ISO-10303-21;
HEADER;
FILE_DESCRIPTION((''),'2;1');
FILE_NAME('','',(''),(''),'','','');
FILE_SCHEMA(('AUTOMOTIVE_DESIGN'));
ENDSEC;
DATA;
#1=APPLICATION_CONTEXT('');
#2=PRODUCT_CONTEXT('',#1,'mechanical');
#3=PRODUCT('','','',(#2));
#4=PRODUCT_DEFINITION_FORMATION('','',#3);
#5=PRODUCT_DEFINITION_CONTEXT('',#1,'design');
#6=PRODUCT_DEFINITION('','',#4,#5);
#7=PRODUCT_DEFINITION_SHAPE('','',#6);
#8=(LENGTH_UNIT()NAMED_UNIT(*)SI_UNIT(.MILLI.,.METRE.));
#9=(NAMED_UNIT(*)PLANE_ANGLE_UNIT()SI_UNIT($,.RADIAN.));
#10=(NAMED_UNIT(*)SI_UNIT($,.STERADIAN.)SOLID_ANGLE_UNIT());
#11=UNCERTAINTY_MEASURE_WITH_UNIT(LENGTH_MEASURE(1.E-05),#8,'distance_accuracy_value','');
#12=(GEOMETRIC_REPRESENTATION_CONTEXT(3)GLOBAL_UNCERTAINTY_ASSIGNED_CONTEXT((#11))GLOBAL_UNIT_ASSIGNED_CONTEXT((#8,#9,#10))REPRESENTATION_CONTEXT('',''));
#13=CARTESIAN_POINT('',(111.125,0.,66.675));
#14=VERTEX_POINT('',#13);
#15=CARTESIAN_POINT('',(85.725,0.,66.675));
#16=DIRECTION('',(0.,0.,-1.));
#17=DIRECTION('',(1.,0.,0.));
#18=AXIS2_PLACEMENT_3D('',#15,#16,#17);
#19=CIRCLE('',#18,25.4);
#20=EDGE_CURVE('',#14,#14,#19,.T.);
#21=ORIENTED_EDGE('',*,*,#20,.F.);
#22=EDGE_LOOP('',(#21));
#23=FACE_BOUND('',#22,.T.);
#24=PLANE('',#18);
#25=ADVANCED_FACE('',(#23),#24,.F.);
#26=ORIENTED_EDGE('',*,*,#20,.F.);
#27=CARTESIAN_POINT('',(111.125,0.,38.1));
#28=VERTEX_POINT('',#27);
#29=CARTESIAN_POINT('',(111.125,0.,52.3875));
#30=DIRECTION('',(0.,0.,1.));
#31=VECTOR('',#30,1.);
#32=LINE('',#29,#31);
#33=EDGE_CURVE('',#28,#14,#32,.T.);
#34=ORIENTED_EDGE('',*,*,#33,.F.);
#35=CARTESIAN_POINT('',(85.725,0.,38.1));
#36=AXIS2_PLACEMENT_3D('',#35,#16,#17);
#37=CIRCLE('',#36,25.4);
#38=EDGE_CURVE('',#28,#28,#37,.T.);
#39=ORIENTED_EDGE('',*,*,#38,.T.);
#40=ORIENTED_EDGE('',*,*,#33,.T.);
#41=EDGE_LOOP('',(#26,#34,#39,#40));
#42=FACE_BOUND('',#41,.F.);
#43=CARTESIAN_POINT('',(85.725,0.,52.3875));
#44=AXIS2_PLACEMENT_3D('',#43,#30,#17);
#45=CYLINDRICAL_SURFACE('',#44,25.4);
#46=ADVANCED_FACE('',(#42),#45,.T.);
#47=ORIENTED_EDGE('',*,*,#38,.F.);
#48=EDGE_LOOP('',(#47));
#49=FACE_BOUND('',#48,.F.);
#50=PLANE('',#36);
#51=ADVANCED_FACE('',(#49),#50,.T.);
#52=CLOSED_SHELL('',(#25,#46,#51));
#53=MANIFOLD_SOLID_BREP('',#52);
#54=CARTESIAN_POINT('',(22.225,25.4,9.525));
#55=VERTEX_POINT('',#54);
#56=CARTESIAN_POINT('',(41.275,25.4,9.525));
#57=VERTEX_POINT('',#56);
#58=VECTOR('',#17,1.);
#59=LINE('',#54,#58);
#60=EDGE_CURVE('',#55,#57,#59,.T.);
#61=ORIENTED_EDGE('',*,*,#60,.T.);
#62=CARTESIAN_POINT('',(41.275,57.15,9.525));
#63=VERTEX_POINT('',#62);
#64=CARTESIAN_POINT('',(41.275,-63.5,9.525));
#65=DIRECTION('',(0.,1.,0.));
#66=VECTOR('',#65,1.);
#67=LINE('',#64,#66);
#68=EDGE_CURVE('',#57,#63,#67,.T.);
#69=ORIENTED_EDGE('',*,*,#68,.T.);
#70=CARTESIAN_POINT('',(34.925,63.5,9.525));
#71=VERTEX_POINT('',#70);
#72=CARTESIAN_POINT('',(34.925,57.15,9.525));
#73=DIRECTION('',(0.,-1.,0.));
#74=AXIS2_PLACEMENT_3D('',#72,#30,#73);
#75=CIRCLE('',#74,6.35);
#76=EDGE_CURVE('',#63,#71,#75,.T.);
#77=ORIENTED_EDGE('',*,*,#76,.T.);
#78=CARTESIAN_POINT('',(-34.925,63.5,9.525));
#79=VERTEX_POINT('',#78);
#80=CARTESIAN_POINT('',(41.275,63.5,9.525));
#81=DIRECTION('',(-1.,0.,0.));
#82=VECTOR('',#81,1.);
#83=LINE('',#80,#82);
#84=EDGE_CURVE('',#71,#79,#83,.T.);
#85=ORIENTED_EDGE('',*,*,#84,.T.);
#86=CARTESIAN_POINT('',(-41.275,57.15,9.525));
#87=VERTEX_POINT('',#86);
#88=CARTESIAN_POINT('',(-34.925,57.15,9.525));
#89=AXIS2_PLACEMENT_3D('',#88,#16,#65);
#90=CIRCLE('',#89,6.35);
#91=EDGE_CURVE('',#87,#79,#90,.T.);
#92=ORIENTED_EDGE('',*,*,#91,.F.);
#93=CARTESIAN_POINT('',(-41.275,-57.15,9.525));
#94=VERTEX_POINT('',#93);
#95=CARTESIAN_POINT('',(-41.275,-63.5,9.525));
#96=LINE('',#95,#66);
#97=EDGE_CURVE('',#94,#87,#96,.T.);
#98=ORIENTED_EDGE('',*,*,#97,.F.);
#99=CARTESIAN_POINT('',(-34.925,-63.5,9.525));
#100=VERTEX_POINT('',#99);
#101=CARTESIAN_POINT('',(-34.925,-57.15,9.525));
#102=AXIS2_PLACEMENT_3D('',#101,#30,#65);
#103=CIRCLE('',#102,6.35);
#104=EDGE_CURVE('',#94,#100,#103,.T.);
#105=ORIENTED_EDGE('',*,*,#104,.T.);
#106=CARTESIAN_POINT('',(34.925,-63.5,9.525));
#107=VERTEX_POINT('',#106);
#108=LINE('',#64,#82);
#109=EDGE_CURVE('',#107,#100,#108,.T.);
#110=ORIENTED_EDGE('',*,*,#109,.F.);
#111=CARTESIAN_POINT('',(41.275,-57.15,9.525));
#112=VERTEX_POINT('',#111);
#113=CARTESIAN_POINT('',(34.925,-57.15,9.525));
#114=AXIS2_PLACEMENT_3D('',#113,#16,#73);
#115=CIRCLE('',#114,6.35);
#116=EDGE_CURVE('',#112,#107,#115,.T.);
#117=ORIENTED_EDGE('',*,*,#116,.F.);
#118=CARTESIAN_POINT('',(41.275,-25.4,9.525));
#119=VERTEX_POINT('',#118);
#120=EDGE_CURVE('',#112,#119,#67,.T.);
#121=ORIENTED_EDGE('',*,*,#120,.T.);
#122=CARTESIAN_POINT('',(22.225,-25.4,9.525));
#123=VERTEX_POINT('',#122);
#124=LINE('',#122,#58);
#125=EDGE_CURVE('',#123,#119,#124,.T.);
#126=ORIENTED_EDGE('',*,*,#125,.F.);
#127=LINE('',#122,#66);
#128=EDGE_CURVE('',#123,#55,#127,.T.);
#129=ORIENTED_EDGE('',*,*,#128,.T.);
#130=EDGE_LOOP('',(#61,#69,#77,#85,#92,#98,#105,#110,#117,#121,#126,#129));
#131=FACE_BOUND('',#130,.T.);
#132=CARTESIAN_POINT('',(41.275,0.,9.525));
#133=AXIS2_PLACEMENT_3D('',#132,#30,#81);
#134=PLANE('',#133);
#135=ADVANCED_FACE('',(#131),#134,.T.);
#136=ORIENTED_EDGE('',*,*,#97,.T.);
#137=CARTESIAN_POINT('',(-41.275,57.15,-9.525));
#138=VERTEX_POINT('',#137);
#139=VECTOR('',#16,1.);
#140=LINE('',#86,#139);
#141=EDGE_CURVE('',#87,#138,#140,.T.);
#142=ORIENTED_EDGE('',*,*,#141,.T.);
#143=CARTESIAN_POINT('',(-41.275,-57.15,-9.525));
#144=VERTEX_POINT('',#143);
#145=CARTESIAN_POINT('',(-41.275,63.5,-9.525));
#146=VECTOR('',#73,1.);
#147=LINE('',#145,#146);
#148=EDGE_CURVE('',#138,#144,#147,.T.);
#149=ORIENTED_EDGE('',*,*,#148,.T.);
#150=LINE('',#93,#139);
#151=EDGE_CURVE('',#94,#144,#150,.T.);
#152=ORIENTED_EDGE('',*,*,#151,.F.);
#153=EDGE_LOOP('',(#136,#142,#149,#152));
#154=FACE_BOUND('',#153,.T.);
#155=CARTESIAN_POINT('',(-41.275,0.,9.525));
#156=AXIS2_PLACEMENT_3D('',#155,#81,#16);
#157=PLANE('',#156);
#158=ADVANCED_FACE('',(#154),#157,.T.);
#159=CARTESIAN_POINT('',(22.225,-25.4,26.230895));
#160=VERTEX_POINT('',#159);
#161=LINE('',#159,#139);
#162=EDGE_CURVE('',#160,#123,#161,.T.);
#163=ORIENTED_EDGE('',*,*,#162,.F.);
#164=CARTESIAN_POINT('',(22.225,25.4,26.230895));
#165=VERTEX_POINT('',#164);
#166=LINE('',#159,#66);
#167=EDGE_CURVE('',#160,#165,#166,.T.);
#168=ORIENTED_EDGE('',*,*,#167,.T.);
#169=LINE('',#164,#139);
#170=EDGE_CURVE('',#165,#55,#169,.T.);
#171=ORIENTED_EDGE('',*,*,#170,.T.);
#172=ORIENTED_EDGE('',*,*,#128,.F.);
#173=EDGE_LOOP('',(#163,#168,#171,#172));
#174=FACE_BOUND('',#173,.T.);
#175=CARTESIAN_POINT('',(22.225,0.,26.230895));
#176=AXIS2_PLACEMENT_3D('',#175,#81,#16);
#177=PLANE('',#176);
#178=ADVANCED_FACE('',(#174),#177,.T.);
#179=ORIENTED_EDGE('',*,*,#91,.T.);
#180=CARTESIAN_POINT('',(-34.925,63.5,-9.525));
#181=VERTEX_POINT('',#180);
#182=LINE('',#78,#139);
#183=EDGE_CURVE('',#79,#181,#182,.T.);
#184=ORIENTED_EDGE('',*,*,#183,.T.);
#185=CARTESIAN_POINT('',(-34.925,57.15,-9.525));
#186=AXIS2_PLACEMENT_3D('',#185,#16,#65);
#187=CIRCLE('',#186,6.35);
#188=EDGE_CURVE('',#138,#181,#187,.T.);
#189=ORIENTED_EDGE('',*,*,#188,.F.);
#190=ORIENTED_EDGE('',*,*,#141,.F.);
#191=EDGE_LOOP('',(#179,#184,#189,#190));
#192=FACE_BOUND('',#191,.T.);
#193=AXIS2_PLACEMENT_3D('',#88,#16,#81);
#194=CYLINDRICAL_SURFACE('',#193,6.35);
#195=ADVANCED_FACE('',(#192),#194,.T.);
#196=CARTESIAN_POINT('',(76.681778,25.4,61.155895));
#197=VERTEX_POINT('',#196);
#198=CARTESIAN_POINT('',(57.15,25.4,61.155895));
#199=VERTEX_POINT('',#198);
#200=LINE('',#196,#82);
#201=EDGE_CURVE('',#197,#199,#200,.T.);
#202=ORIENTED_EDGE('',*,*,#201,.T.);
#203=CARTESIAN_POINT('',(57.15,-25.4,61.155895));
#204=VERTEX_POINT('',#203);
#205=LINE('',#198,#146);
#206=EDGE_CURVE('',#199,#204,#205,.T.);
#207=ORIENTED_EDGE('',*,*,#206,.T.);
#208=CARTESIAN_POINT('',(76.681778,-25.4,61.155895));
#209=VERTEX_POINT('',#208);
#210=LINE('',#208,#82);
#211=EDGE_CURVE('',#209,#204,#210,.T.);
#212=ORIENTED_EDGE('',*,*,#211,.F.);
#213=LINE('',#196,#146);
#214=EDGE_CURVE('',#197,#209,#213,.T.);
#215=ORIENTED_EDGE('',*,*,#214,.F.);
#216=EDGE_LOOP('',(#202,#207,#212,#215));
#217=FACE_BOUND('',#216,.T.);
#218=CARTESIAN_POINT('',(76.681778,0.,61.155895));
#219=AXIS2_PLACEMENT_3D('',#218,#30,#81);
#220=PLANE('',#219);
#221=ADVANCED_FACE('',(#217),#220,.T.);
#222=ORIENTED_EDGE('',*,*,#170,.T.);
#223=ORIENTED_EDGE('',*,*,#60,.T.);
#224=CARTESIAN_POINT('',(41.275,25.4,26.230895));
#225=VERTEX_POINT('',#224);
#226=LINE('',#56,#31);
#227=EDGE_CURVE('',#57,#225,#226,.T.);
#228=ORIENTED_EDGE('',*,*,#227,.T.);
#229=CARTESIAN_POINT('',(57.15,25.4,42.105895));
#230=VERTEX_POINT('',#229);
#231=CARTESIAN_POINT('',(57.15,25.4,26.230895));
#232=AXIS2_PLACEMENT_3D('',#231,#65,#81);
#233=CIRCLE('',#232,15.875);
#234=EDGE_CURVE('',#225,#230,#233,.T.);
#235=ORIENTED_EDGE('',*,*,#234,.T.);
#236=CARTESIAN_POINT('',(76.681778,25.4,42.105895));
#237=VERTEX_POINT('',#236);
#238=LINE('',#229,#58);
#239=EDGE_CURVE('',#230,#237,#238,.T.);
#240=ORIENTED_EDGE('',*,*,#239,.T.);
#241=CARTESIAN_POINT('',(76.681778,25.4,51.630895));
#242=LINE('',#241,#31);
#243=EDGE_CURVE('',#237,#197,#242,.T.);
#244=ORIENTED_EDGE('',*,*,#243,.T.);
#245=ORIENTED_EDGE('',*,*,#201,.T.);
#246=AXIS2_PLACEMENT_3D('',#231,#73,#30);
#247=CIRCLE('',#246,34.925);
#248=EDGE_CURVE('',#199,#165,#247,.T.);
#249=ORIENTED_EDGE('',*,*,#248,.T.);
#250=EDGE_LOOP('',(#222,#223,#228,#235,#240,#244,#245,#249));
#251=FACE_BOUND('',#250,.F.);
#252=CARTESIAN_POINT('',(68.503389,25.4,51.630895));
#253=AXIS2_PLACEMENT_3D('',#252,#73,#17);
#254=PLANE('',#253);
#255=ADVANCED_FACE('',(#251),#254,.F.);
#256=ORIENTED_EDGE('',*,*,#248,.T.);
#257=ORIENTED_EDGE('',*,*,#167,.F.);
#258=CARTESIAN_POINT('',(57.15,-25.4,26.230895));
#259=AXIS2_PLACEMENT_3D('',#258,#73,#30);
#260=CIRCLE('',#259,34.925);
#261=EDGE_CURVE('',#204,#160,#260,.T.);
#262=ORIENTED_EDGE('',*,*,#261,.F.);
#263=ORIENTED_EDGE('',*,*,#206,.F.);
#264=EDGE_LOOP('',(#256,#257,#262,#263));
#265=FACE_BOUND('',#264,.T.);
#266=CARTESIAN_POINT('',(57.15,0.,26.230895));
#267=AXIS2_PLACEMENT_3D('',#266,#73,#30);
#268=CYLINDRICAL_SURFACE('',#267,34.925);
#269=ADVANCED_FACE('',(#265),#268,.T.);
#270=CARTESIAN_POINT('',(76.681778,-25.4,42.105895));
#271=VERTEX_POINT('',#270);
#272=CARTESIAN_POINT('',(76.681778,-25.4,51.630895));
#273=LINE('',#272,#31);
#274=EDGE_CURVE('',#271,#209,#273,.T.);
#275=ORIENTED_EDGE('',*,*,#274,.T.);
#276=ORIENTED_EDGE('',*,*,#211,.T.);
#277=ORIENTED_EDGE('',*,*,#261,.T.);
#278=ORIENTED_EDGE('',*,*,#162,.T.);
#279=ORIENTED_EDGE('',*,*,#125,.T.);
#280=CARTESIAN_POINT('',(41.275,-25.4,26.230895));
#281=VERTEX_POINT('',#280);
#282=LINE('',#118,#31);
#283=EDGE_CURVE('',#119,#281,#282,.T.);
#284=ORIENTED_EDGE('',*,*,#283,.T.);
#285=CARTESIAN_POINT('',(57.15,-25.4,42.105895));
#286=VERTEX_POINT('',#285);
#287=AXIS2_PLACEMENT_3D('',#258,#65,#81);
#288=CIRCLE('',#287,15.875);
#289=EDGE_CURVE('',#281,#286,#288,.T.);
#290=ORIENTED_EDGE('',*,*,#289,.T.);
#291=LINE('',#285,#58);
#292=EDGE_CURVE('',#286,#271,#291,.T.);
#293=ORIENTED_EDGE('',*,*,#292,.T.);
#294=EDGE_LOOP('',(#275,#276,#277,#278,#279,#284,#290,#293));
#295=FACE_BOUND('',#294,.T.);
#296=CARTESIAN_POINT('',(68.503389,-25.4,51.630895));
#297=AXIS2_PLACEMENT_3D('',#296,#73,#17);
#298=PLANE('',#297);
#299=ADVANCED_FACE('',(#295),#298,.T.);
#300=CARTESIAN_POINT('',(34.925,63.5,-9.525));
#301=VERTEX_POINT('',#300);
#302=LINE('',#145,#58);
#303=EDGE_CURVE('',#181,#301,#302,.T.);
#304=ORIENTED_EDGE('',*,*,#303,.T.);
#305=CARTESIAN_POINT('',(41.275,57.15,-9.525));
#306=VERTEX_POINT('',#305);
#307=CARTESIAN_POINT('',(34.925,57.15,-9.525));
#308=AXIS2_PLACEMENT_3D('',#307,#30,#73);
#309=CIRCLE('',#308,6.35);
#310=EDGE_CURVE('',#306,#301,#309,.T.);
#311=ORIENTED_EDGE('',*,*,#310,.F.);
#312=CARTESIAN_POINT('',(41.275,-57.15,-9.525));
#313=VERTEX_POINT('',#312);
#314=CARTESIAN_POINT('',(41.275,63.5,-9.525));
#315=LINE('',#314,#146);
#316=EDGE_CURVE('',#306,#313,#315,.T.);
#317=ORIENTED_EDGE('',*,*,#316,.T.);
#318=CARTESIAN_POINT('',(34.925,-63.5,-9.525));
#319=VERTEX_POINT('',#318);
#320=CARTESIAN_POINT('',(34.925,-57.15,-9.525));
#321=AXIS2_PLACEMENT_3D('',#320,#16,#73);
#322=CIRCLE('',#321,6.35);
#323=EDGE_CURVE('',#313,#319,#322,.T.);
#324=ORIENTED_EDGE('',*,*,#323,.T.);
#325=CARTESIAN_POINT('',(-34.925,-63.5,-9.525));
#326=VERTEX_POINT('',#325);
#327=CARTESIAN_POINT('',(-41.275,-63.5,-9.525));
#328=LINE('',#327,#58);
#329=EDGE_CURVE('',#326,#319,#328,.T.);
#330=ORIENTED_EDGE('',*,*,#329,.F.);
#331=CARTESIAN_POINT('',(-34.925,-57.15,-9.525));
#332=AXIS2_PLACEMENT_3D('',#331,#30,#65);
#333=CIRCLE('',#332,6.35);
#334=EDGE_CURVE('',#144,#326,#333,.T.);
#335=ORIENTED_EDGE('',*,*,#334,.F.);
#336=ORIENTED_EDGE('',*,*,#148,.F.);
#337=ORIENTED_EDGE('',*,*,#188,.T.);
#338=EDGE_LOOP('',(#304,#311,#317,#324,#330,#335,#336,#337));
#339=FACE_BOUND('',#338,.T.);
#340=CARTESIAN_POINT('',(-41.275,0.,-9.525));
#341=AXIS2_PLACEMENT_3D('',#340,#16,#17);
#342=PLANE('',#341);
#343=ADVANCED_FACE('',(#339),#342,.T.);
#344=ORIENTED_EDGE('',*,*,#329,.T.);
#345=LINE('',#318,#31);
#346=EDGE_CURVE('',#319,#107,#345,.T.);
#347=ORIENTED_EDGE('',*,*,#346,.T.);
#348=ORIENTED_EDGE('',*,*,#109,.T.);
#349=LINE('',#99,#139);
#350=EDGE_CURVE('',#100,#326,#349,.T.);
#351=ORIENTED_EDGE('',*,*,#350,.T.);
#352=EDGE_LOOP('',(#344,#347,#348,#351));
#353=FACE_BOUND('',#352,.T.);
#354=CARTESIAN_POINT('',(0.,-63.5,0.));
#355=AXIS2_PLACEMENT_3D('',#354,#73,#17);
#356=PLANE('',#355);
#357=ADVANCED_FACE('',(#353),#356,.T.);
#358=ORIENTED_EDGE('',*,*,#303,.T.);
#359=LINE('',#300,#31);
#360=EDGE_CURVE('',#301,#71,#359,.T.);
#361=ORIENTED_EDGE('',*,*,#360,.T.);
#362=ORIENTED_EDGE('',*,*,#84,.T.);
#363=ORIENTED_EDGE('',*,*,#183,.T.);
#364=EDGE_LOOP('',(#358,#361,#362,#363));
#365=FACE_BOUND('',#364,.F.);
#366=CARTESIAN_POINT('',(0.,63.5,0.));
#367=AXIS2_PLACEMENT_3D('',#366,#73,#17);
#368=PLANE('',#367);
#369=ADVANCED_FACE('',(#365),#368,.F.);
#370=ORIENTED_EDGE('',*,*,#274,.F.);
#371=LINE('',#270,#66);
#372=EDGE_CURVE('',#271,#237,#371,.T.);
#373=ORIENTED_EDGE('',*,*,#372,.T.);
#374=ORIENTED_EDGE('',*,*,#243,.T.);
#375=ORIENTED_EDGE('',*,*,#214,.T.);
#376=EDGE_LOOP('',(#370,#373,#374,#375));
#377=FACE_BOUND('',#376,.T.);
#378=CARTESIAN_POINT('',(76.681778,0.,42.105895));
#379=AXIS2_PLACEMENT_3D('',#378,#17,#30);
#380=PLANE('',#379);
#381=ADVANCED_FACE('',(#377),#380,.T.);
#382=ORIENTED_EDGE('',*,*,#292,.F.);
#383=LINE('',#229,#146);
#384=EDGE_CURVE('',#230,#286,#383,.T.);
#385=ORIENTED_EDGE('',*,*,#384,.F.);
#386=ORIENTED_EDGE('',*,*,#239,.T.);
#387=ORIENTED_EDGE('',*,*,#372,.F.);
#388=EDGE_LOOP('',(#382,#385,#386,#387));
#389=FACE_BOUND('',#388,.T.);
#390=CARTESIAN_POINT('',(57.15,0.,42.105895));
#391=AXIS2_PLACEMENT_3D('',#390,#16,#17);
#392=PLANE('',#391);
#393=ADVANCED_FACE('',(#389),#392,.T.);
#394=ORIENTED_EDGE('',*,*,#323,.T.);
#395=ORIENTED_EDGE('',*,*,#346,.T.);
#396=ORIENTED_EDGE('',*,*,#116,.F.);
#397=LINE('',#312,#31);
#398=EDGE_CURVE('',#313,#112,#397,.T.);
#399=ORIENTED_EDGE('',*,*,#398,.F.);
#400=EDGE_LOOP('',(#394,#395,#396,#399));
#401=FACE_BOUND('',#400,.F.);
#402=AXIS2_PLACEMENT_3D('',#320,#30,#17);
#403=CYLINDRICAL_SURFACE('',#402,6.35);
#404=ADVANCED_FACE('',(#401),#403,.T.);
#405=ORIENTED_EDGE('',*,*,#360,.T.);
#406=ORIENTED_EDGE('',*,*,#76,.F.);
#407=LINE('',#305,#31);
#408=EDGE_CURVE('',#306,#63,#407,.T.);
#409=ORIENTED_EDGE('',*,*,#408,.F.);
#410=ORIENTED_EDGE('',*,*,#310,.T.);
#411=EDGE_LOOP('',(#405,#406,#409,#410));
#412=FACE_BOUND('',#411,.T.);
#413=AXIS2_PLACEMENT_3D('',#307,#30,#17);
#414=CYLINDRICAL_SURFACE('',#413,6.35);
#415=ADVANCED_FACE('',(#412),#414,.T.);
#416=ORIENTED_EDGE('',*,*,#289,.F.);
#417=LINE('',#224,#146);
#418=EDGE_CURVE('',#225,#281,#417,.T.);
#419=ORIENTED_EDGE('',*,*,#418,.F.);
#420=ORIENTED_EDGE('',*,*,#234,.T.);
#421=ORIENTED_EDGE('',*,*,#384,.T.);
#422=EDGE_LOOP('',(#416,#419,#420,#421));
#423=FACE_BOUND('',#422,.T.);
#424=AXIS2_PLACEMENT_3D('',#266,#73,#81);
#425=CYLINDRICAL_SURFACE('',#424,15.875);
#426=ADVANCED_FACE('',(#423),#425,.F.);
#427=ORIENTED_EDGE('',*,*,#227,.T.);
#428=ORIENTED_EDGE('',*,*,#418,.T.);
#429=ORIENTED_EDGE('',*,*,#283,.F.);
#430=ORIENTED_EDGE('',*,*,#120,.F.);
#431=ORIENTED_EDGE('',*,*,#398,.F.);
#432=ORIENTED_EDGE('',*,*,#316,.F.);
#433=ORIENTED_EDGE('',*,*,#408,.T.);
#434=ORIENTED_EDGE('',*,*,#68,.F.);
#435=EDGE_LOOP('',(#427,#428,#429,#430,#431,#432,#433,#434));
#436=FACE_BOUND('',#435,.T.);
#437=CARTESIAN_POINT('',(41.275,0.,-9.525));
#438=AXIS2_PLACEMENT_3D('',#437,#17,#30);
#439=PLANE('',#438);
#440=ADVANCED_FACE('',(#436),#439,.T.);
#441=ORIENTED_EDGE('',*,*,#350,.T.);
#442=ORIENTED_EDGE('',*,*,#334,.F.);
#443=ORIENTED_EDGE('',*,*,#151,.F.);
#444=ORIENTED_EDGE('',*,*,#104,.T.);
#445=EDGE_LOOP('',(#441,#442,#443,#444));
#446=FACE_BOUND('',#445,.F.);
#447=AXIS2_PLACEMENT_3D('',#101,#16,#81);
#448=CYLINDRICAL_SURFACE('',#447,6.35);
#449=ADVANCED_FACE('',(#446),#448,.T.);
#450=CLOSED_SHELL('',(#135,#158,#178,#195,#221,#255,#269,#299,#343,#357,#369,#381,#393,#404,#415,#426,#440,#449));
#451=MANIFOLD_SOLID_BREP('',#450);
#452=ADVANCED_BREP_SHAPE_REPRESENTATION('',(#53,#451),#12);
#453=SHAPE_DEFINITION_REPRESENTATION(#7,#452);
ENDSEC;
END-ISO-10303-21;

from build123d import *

# Parameters (mm, degrees)
F1_DEPTH = 63.5
F0_W     = 16.3567779206
F0_H     = 19.05
F2_DEPTH = 25.4
F3_DEPTH = 7.9375
F0_W_2   = 25.4
F0_H_2   = 28.575
F5_R     = 6.35


with BuildPart() as f1:
    # F0 (on Front) → F1 (new body, symmetric)
    with BuildSketch(Plane.XZ):
        Polygon((22.225, 9.525), (-41.275, 9.525), (-41.275, -9.525), (41.275, -9.525), (41.275, 9.525), align=None)
    extrude(amount=F1_DEPTH, both=True)

    # F0 (on Front) → F2 (join, symmetric)
    with BuildSketch(Plane.XZ):
        with Locations((68.5033889603, 51.6308948087)):
            Rectangle(F0_W, F0_H)
        with BuildLine():
            Line((60.325, 61.1558948087), (57.15, 61.1558948087))
            ThreePointArc((57.15, 61.1558948087), (32.4542956671, 50.9265991416), (22.225, 26.2308948087))
            Line((22.225, 26.2308948087), (22.225, 9.525))
            Line((22.225, 9.525), (41.275, 9.525))
            Line((41.275, 9.525), (41.275, 17.8779474043))
            Line((41.275, 17.8779474043), (41.275, 26.2308948087))
            ThreePointArc((41.275, 26.2308948087), (45.9246798487, 37.45621496), (57.15, 42.1058948087))
            Line((57.15, 42.1058948087), (60.325, 42.1058948087))
            Line((60.325, 42.1058948087), (60.325, 61.1558948087))
        make_face()
    extrude(amount=F2_DEPTH, both=True)

    # F0 (on Front) → F3 (join, symmetric)
    with BuildSketch(Plane.XZ):
        with BuildLine():
            Line((60.325, 61.1558948087), (57.15, 61.1558948087))
            ThreePointArc((57.15, 61.1558948087), (32.4542956671, 50.9265991416), (22.225, 26.2308948087))
            Line((22.225, 26.2308948087), (22.225, 9.525))
            Line((22.225, 9.525), (41.275, 9.525))
            Line((41.275, 9.525), (41.275, 17.8779474043))
            Line((41.275, 17.8779474043), (41.275, 26.2308948087))
            ThreePointArc((41.275, 26.2308948087), (45.9246798487, 37.45621496), (57.15, 42.1058948087))
            Line((57.15, 42.1058948087), (60.325, 42.1058948087))
            Line((60.325, 42.1058948087), (60.325, 61.1558948087))
        make_face()
    extrude(amount=F3_DEPTH, both=True)

    # F5
    f5_edges = [f1.edges().sort_by_distance(p)[0] for p in [
        (-41.275, -63.5, 0),
        (41.275, -63.5, 0),
        (41.275, 63.5, 0),
        (-41.275, 63.5, 0),
    ]]
    fillet(f5_edges, radius=F5_R)


with BuildPart() as f4:
    # F0 (on Front) → F4 (revolve)
    with BuildSketch(Plane.XZ):
        with Locations((98.425, 52.3875)):
            Rectangle(F0_W_2, F0_H_2)
    revolve(axis=Axis((85.725, 0, 52.3875), (0, 0, -1)))


solid = Compound([f1.part, f4.part])
